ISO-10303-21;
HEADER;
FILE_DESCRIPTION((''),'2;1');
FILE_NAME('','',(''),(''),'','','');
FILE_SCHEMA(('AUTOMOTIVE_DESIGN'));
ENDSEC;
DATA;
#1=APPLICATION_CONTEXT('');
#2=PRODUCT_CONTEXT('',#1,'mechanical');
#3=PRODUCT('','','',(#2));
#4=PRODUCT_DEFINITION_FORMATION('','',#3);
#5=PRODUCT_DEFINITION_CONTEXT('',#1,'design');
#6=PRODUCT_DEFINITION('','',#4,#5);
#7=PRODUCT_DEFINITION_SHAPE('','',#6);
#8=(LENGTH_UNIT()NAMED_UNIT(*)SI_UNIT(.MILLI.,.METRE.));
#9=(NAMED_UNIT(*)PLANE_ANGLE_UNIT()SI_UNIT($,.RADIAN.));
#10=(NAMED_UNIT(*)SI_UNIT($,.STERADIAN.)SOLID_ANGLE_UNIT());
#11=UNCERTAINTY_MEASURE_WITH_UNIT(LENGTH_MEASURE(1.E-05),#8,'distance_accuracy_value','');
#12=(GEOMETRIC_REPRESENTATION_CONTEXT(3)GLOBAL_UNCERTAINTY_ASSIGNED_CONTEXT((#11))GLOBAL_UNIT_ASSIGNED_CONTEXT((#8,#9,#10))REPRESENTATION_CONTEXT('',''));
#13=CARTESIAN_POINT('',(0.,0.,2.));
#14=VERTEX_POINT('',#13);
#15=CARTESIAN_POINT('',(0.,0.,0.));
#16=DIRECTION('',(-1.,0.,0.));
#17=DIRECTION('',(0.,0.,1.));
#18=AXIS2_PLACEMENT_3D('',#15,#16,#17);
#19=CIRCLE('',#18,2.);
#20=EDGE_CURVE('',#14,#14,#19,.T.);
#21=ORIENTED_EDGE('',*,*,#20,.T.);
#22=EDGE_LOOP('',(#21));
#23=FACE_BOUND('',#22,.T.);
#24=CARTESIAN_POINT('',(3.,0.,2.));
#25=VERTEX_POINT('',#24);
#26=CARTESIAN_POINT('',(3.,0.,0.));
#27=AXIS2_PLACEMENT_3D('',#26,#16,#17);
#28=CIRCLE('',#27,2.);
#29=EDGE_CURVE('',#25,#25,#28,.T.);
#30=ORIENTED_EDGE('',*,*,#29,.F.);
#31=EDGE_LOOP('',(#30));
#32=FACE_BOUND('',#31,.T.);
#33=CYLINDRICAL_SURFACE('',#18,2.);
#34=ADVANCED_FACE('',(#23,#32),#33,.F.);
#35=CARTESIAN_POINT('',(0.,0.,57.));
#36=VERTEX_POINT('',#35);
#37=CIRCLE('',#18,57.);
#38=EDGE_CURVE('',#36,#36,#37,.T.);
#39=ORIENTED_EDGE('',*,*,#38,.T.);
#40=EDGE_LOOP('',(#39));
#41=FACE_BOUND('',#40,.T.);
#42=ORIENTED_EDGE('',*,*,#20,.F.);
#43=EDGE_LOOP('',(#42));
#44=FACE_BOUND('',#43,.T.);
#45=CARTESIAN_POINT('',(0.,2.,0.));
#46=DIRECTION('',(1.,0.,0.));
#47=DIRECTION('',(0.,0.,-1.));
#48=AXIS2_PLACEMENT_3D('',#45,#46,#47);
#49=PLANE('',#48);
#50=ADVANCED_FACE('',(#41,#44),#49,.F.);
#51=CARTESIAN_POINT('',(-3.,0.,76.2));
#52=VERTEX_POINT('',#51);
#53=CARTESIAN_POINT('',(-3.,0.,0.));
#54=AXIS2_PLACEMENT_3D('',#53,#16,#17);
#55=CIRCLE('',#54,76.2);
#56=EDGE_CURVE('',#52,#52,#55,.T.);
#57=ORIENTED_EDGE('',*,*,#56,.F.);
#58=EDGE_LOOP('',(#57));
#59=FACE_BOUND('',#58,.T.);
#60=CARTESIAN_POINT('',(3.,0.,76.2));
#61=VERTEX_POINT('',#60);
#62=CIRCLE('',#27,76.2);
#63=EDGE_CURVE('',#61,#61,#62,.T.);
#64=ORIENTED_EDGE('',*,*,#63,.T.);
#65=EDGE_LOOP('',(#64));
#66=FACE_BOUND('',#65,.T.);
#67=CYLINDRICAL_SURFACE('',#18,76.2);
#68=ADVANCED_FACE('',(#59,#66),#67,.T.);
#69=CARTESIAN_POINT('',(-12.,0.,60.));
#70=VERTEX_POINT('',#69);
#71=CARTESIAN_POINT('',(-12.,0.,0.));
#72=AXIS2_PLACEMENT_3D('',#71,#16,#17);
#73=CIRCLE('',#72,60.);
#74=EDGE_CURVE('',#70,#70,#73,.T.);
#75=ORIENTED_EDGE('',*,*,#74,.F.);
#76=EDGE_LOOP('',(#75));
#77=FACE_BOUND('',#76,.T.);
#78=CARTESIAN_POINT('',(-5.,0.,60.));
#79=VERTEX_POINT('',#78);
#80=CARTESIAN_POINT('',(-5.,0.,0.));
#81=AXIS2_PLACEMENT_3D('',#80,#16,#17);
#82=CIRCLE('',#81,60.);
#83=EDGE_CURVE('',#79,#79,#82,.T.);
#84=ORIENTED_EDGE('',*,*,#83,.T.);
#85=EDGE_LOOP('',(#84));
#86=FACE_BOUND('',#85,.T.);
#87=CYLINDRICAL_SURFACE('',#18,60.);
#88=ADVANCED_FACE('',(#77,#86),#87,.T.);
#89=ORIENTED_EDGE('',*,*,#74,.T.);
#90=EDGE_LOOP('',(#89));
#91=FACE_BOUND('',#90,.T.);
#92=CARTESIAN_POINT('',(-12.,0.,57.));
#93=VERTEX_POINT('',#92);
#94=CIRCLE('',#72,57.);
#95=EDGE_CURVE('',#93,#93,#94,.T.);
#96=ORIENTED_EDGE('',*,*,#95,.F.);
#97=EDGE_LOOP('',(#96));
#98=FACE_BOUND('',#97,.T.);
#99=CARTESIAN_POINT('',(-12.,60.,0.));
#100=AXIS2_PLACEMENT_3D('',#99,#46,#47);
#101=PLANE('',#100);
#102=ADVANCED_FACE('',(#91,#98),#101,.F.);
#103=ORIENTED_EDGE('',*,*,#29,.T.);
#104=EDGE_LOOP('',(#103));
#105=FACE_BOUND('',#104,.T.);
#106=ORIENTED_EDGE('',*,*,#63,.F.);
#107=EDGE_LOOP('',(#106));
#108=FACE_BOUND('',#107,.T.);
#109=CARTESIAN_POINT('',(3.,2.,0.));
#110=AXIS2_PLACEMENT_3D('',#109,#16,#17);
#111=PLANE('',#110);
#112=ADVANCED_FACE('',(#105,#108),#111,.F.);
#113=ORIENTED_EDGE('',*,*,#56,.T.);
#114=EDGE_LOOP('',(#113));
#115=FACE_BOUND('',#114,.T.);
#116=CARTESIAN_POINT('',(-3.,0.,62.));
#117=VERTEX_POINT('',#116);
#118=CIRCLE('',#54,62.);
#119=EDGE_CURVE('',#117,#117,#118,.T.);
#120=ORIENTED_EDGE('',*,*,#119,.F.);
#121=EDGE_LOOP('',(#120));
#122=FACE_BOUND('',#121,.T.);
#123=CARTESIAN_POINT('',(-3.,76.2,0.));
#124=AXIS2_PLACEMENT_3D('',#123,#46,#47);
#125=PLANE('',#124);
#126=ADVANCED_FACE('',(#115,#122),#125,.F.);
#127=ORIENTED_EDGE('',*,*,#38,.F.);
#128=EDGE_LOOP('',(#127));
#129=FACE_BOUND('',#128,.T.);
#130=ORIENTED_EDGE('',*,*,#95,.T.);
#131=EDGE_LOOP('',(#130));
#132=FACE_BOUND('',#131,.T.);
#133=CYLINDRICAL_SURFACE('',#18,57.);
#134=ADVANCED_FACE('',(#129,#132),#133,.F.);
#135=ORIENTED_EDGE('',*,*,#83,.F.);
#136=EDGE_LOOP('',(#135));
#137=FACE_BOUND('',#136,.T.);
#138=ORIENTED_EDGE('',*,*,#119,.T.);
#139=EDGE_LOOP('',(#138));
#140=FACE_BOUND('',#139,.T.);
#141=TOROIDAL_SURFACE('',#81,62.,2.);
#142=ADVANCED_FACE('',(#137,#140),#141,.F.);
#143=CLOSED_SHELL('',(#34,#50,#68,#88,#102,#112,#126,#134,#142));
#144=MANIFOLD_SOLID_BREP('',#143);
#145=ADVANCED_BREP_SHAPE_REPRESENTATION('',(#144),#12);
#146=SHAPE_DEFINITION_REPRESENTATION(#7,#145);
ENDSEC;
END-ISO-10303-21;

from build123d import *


with BuildPart() as part:
    # Sketch1 → Revolve1 (revolve)
    with BuildSketch(Plane.XY, mode=Mode.PRIVATE) as revolve1_sk:
        with BuildLine():
            Line((0, 2), (3, 2))
            Line((3, 2), (3, 76.2))
            Line((3, 76.2), (-1.5364108, 76.2))
            Line((-1.5364108, 76.2), (-3, 76.2))
            Line((-3, 76.2), (-3, 62))
            ThreePointArc((-3, 62), (-3.585786438, 60.585786438), (-5, 60))
            Line((-5, 60), (-12, 60))
            Line((-12, 60), (-12, 57))
            Line((-12, 57), (0, 57))
            Line((0, 57), (0, 2))
        make_face()
    revolve(revolve1_sk.sketch.rotate(Axis((0, 0, 0), (1, 0, 0)), 90), axis=Axis((0, 0, 0), (1, 0, 0)))


solid = part.part
